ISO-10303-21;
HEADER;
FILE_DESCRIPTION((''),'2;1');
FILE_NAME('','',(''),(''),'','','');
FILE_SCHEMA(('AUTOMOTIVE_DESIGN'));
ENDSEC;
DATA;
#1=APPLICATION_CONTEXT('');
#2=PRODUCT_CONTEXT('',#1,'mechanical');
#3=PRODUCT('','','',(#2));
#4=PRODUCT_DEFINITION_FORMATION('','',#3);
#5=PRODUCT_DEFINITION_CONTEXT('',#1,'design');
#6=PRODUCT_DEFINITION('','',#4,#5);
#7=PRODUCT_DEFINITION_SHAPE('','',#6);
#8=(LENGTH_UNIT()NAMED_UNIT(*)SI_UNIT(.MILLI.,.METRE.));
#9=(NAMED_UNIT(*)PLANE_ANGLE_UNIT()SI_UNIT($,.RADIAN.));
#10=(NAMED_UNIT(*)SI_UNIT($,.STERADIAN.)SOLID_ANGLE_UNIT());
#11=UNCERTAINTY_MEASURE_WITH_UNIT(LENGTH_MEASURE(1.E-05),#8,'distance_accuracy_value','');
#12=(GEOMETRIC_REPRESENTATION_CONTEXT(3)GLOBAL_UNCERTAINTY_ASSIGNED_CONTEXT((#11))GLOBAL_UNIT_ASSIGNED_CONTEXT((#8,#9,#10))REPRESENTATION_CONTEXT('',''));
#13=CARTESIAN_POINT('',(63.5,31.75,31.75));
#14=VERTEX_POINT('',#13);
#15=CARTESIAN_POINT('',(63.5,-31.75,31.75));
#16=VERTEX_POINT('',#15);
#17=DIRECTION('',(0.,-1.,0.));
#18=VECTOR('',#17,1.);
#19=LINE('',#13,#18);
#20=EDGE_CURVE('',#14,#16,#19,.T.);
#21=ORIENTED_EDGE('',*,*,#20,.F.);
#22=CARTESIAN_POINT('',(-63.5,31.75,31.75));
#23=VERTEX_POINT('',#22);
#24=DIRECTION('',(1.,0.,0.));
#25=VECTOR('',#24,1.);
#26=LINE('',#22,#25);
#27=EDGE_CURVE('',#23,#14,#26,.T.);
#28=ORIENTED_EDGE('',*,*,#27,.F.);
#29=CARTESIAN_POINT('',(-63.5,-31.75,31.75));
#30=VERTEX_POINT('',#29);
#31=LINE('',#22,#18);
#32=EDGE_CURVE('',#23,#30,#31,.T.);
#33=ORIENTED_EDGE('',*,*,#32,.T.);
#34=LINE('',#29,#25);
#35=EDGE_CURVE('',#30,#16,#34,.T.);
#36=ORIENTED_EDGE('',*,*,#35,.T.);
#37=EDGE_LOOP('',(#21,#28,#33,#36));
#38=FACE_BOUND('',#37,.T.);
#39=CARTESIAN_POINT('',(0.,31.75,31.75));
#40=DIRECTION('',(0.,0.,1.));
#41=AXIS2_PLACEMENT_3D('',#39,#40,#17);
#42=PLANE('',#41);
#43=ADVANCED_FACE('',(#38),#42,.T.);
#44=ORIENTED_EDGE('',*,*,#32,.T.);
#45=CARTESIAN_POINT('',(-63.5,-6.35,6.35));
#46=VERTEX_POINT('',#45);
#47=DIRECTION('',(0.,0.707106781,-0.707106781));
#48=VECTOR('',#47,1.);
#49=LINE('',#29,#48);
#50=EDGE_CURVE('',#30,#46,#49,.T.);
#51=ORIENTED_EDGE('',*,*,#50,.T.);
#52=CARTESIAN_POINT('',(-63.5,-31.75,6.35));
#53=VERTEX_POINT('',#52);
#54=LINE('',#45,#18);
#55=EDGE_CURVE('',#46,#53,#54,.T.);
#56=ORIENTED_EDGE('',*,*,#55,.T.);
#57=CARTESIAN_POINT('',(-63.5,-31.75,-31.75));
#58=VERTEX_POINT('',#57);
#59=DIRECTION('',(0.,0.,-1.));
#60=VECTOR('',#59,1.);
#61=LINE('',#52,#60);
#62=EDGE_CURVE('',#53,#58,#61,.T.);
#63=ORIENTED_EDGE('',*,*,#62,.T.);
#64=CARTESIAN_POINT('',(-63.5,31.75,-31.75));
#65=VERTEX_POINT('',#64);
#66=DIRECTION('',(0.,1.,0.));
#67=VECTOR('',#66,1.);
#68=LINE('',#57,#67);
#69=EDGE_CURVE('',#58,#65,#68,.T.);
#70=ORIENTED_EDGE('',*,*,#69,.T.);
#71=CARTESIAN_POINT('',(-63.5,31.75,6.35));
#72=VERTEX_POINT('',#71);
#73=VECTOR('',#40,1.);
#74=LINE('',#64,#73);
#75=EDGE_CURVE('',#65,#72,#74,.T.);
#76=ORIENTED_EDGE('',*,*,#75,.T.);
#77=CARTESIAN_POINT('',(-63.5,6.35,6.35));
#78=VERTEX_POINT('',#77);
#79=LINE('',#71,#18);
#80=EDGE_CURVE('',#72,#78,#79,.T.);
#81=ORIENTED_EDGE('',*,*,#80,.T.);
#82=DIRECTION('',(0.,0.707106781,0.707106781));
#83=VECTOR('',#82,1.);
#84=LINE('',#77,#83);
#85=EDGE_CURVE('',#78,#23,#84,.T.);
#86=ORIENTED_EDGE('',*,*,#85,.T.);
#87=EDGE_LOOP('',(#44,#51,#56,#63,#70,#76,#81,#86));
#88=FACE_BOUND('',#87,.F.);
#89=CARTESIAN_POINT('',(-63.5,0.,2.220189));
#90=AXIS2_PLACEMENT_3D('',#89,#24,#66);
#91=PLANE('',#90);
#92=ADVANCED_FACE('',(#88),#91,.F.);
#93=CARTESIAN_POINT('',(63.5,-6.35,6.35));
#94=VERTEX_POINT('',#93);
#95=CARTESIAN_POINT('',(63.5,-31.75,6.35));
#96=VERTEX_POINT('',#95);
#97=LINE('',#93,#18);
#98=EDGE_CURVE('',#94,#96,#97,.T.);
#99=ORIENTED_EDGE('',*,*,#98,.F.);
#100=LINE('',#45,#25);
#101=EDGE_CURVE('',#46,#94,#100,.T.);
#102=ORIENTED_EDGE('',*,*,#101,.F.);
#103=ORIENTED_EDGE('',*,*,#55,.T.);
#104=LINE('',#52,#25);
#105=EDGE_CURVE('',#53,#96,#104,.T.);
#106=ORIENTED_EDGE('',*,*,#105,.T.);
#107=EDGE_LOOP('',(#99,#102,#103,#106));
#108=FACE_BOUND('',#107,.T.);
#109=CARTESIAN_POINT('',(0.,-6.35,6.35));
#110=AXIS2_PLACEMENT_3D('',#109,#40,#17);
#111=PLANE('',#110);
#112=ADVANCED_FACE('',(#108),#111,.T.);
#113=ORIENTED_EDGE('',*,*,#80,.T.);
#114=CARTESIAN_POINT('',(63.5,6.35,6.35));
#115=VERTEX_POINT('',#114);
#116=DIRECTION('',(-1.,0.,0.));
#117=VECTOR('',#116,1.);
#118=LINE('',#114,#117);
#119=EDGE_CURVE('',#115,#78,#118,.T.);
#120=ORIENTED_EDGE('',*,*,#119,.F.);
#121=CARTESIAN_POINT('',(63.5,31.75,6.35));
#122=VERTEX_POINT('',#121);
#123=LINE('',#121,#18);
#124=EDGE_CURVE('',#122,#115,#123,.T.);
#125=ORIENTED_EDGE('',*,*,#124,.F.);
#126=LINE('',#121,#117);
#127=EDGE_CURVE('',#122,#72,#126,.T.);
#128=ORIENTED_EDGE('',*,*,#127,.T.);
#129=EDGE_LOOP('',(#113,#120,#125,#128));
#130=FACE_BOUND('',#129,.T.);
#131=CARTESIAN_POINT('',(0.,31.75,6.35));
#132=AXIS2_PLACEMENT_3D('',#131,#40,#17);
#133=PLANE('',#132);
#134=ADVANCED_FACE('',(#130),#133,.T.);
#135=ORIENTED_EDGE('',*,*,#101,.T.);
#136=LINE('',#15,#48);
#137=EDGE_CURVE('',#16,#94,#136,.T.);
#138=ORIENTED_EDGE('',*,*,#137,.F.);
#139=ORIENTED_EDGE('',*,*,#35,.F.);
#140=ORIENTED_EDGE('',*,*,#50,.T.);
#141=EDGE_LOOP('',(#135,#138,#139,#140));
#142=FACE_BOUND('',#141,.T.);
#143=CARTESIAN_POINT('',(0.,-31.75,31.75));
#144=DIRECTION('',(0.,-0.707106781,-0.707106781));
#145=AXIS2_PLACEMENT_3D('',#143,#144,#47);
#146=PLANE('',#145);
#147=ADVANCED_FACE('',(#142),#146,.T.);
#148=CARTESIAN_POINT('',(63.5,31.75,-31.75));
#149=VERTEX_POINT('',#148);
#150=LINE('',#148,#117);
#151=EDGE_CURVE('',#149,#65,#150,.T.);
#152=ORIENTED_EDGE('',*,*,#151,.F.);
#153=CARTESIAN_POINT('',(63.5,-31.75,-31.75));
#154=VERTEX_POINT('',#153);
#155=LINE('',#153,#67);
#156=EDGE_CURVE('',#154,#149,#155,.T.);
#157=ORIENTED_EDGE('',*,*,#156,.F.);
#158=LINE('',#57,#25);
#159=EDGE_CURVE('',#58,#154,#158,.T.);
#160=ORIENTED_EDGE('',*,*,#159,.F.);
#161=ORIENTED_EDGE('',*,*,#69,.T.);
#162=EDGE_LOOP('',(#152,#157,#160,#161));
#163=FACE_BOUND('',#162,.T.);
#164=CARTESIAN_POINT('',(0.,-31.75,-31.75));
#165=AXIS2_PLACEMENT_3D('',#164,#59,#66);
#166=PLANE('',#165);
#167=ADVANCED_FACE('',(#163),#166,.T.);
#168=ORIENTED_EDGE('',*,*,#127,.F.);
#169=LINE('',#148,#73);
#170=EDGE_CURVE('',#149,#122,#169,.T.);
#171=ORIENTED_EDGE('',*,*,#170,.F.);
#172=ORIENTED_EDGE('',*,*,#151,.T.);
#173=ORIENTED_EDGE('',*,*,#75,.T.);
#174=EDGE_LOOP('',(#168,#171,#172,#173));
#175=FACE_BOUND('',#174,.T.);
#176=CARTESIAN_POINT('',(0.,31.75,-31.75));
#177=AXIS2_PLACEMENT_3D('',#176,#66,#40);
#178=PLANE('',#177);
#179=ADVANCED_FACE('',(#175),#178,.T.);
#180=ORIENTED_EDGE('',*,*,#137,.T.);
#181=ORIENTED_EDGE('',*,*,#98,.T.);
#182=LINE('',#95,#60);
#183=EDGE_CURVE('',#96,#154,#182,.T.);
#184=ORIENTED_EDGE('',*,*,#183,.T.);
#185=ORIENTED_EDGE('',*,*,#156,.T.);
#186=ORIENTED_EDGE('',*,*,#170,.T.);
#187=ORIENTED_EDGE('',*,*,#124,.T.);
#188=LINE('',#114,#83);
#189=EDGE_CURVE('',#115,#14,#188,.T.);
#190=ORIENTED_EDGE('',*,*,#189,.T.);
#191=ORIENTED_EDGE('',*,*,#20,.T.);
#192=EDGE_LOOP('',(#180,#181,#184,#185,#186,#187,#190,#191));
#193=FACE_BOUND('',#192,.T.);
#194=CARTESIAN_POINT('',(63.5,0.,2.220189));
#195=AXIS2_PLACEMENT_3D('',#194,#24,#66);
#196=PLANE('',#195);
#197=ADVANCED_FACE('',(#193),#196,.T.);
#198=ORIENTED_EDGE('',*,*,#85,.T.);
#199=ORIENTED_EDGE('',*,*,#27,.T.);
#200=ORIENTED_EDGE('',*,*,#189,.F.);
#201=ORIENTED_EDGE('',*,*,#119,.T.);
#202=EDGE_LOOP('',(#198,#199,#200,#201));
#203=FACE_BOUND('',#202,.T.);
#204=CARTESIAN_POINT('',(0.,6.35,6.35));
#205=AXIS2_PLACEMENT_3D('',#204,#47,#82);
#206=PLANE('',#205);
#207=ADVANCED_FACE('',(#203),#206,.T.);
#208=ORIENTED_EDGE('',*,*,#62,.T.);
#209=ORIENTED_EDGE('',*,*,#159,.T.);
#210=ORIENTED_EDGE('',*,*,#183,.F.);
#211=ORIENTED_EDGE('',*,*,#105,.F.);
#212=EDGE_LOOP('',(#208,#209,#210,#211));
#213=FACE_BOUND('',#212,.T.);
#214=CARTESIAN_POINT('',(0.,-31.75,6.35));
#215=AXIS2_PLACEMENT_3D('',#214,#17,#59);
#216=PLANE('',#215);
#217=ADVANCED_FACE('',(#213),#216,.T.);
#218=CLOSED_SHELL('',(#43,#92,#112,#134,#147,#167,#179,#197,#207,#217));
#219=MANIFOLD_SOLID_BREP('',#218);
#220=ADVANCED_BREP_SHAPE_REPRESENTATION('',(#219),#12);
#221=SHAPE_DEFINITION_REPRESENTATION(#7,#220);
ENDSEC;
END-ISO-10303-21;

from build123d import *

# Parameters (mm, degrees)
F1_DEPTH      = 63.5
F1_DEPTH_BACK = 63.5


with BuildPart() as f1:
    # F0 (on Right) → F1 (new body, two sides)
    with BuildSketch(Plane.YZ) as f1_sk:
        Polygon((6.35, 6.35), (31.75, 31.75), (-31.75, 31.75), (-6.35, 6.35), (-31.75, 6.35), (-31.75, -31.75), (31.75, -31.75), (31.75, 6.35), align=None)
    extrude(amount=F1_DEPTH)
    extrude(f1_sk.sketch, amount=-F1_DEPTH_BACK)


solid = f1.part
